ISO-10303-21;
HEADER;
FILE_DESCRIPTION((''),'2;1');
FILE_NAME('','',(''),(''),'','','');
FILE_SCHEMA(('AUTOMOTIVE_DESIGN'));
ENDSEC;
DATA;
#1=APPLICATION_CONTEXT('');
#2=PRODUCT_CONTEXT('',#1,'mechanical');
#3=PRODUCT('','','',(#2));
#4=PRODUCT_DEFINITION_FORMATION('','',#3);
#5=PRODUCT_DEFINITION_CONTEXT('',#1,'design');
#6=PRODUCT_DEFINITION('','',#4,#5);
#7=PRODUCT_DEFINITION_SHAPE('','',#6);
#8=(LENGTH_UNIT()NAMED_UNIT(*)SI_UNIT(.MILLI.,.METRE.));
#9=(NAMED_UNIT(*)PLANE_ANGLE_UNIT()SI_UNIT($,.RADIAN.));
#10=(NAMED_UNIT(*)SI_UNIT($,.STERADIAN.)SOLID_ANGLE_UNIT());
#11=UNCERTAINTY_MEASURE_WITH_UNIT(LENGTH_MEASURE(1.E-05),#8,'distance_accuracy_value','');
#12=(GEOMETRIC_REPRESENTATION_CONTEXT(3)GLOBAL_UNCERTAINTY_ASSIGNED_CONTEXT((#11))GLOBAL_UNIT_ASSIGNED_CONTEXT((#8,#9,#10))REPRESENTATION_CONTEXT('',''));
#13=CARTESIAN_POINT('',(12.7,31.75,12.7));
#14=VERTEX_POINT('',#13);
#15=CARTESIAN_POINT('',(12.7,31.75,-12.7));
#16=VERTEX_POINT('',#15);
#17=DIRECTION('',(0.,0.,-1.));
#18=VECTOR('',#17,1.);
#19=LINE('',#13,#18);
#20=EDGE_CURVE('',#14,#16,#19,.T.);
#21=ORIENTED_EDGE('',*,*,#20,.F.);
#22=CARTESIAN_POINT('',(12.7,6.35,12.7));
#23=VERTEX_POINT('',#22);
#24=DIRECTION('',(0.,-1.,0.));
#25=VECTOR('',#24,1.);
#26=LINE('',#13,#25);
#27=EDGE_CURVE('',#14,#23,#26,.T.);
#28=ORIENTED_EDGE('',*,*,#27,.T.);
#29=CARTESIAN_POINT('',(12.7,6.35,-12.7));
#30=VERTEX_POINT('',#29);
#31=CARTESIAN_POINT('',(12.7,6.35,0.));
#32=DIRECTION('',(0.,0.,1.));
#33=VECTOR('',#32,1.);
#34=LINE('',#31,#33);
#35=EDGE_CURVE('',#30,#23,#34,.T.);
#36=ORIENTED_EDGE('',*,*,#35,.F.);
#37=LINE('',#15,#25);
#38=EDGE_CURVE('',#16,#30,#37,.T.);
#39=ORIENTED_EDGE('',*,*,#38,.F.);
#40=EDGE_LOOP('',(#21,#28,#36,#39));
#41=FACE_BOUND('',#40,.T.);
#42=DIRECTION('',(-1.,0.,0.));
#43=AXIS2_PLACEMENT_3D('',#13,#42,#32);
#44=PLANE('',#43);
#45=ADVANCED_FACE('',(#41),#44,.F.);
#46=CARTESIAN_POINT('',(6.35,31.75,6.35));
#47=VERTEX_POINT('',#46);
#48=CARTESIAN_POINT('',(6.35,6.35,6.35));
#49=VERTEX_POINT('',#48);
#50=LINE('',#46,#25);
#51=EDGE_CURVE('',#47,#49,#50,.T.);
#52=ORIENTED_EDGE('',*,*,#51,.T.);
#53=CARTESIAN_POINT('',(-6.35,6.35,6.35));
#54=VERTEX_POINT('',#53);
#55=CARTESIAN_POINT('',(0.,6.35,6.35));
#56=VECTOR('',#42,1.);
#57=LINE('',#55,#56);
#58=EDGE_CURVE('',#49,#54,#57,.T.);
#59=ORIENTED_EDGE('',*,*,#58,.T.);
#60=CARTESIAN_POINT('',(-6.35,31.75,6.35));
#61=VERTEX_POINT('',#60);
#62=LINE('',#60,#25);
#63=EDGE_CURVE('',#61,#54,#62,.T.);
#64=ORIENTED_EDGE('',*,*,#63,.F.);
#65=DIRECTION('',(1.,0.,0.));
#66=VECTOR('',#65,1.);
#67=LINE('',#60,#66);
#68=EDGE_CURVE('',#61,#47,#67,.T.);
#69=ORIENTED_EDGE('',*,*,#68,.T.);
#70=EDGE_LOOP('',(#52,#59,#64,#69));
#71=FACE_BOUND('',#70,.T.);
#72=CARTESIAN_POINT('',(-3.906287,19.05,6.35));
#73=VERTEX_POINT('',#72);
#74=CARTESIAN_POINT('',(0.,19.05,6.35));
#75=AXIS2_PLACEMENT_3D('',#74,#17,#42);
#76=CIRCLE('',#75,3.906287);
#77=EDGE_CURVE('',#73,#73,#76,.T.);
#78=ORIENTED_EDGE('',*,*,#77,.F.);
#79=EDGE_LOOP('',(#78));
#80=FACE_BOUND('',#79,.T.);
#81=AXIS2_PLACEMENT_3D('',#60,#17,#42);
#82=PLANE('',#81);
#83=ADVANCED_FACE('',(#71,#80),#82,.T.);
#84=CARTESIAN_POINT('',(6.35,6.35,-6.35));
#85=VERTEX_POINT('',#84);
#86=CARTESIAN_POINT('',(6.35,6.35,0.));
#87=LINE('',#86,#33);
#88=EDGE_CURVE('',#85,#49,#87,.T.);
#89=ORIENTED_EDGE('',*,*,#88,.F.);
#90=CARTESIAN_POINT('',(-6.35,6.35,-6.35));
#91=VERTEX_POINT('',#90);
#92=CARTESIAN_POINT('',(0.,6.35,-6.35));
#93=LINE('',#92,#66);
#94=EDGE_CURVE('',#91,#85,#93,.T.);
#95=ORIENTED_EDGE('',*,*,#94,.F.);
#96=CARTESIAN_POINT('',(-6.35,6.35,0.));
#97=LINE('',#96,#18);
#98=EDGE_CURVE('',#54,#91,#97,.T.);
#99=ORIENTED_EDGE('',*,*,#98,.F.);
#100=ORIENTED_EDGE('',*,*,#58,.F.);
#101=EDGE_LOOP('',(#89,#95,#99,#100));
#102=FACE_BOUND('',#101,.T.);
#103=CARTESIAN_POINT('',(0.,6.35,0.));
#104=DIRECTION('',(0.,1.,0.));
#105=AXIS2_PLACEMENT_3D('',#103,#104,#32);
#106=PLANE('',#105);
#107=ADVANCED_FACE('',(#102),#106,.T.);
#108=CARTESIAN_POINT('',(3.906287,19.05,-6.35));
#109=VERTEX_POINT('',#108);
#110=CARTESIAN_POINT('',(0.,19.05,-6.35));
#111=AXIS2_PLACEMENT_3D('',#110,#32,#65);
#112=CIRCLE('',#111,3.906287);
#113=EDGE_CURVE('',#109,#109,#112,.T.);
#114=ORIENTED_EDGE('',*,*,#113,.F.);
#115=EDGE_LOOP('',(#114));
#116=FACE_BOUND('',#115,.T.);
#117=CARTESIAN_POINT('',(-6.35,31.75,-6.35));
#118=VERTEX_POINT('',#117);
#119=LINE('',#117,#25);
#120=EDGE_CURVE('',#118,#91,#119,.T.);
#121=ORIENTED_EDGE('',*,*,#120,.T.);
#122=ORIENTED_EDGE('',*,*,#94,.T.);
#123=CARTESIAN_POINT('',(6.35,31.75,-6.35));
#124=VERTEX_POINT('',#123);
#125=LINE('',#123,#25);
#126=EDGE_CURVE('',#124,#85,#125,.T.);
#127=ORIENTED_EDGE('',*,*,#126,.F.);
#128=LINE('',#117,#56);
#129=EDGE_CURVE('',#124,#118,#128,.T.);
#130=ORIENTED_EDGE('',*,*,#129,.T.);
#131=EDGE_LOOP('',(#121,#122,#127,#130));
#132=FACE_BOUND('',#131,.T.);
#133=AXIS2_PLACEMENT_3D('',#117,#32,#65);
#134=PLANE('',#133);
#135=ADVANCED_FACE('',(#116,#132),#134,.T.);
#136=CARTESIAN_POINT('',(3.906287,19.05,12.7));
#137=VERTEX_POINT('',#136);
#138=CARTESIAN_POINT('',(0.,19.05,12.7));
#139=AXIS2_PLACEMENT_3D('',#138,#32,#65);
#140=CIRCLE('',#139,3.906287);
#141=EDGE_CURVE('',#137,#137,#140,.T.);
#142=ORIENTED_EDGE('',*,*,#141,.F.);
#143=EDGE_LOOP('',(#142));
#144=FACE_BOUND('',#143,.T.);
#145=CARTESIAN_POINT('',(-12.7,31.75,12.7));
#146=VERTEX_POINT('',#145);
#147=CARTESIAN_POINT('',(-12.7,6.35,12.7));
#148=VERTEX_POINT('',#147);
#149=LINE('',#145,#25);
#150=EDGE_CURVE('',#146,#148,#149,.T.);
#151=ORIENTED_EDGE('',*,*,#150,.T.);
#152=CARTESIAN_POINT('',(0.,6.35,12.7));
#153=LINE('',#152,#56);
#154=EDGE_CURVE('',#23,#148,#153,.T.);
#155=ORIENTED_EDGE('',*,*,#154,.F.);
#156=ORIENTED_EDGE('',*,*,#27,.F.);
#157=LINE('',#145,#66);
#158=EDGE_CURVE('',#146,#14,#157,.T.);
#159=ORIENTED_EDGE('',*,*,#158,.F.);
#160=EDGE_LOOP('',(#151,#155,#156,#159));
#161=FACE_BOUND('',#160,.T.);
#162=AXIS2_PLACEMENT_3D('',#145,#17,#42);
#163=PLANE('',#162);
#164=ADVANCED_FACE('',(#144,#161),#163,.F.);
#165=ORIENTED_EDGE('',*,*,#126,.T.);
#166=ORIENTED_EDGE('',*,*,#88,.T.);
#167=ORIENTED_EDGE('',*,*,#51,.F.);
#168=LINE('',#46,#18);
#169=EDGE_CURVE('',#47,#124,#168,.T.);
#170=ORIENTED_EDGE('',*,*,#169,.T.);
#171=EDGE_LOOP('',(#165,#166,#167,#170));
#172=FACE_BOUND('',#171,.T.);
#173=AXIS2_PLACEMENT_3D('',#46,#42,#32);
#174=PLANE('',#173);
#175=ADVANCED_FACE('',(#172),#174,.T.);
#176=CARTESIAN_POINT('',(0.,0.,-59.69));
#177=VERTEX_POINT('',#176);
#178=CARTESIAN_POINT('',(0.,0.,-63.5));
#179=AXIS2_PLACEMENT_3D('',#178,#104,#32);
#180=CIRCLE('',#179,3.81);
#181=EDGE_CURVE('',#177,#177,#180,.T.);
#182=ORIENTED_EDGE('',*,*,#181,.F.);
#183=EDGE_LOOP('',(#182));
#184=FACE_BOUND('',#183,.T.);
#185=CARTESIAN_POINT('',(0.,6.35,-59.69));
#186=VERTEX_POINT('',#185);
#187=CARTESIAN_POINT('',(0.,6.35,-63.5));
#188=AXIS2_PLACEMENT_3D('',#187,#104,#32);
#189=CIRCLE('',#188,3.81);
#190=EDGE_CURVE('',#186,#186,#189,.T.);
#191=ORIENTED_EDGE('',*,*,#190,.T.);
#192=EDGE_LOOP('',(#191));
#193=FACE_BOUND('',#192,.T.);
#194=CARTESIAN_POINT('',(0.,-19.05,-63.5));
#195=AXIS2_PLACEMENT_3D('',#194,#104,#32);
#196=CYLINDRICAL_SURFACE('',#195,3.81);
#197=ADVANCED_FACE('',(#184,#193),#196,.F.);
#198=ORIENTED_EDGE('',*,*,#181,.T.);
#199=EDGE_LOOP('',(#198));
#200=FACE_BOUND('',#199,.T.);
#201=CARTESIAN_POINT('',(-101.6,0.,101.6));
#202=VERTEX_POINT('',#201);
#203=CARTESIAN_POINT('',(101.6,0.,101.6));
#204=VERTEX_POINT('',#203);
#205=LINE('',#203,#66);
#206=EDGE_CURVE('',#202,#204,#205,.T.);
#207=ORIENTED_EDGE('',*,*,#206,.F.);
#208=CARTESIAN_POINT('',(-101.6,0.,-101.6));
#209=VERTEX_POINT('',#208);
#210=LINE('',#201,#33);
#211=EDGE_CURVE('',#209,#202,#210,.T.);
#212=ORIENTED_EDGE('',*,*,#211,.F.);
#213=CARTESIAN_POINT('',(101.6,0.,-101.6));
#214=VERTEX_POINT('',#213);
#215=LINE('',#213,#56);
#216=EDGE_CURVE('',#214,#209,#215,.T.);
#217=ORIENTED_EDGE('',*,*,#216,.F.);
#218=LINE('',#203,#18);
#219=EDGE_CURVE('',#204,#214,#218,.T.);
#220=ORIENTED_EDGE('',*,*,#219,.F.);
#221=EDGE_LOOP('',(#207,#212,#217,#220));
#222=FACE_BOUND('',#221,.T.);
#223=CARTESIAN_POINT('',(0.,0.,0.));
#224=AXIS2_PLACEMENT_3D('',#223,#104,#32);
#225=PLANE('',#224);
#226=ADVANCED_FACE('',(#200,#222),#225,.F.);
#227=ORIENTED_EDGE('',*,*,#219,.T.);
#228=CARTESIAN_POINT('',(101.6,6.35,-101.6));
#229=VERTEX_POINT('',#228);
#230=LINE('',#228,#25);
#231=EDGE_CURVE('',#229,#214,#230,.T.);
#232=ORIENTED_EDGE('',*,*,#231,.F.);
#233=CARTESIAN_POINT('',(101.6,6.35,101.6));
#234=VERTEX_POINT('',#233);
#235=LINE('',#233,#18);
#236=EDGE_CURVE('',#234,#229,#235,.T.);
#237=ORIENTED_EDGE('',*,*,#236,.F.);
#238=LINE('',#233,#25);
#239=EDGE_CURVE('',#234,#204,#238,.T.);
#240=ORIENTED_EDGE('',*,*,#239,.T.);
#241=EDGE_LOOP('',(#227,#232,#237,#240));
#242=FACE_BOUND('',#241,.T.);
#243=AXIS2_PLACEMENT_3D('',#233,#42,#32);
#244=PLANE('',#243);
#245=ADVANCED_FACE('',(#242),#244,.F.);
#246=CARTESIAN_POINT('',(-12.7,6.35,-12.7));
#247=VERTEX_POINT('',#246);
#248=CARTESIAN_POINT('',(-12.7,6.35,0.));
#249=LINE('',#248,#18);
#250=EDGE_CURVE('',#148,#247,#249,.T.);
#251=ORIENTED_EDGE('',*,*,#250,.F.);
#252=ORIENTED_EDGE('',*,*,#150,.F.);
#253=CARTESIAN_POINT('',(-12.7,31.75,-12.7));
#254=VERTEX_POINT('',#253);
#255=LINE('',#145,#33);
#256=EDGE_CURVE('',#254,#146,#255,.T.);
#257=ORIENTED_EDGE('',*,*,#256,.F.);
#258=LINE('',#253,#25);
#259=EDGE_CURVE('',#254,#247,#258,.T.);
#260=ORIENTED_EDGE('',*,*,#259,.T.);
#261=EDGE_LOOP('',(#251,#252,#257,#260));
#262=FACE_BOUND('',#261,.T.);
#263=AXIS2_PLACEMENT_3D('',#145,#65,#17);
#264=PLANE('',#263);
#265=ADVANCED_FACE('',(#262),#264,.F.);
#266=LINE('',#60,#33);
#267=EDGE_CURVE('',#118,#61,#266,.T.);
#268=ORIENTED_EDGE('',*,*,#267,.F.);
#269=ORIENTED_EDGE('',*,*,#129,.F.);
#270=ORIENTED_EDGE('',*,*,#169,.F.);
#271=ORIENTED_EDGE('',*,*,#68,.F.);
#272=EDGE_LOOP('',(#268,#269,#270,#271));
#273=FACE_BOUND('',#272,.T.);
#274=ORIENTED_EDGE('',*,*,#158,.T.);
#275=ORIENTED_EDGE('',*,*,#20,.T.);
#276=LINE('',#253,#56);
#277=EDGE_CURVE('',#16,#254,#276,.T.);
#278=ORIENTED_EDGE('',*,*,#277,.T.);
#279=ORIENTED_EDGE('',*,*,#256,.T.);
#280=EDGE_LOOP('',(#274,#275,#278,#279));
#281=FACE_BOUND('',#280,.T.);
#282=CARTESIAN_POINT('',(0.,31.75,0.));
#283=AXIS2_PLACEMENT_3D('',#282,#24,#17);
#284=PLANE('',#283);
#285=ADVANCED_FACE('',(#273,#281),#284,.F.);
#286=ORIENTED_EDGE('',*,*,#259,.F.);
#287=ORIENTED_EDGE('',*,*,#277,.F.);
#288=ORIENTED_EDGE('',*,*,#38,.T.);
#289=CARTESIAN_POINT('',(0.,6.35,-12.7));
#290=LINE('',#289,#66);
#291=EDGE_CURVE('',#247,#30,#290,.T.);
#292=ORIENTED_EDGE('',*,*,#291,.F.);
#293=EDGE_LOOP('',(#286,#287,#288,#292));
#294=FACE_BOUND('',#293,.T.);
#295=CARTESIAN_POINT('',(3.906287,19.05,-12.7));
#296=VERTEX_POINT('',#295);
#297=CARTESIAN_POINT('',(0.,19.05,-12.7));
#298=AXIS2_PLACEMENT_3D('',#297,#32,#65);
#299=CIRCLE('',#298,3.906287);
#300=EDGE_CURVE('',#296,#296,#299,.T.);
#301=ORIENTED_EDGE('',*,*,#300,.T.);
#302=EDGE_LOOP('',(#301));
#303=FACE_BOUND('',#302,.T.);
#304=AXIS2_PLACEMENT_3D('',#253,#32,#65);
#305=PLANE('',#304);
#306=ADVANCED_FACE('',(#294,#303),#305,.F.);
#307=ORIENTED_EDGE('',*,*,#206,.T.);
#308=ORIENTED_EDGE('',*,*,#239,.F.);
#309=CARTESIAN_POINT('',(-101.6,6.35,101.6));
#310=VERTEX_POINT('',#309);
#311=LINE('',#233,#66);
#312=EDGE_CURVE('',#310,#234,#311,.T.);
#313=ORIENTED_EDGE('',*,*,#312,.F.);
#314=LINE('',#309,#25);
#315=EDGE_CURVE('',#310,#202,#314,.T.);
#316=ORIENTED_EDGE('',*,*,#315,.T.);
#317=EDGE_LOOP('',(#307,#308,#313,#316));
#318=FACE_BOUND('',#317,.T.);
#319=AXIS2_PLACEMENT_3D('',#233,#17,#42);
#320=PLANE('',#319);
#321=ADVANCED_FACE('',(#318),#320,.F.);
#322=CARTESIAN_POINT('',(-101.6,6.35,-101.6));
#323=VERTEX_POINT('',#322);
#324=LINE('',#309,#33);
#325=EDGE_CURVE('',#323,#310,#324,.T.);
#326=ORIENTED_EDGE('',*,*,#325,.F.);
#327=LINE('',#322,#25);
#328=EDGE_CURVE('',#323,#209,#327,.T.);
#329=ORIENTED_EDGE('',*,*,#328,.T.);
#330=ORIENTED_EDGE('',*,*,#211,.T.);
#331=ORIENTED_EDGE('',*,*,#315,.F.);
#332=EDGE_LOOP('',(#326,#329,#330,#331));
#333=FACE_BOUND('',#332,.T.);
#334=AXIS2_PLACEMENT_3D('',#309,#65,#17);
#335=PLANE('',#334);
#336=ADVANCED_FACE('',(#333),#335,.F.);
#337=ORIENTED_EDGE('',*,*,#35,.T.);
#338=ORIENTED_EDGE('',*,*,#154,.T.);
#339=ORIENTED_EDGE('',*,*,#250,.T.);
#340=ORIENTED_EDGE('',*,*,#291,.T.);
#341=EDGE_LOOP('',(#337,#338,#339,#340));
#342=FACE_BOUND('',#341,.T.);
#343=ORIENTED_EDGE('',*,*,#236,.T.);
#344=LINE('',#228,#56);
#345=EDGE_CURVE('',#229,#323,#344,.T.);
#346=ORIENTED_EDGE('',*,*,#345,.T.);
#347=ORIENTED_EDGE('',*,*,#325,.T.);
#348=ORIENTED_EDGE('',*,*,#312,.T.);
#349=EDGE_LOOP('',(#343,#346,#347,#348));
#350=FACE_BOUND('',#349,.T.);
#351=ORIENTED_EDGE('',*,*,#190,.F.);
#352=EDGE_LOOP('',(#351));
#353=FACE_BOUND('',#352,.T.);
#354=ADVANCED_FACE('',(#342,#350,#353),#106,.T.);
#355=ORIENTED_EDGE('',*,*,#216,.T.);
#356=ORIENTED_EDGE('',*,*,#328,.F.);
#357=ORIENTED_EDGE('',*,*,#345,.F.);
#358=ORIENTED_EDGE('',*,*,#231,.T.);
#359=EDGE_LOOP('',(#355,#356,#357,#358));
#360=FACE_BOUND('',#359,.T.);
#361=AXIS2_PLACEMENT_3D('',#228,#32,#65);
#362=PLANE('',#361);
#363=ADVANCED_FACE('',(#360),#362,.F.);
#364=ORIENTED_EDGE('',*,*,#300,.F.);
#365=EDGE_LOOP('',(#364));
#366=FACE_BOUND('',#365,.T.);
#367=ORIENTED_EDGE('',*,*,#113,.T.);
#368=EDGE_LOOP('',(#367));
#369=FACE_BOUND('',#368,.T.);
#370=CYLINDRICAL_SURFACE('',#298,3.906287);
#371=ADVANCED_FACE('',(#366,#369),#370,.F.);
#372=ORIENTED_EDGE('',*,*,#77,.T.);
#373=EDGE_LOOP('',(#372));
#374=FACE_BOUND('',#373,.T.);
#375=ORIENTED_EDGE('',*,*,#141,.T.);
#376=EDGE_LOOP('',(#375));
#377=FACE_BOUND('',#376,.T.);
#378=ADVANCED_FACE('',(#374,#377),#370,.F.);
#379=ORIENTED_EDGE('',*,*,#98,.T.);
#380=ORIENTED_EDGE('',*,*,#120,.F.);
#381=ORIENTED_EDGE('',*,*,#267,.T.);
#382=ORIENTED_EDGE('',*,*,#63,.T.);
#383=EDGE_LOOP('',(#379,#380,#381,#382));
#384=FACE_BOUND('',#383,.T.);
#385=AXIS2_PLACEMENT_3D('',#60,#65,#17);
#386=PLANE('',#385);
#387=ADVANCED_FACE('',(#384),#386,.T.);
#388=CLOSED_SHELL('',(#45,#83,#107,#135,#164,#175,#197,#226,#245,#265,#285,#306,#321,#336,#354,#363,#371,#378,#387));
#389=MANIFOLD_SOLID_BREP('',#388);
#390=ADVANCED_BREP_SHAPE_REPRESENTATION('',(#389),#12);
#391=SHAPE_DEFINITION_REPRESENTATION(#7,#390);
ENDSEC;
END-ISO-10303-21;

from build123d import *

# Parameters (mm, degrees)
SKETCH1_W           = 203.2
SKETCH1_H           = 203.2
BOSS_EXTRUDE1_DEPTH = 6.35
SKETCH2_W           = 25.4
SKETCH2_H           = 25.4
SKETCH2_W_2         = 12.7
SKETCH2_H_2         = 12.7
BOSS_EXTRUDE2_DEPTH = 31.75
SKETCH3_R           = 3.906287384
CUT_EXTRUDE1_DEPTH  = 25.4
SKETCH4_R           = 3.81
CUT_EXTRUDE2_DEPTH  = 25.4


with BuildPart() as part:
    # Sketch1 → Boss-Extrude1 (new body)
    with BuildSketch(Plane(origin=(0, 0, 0), x_dir=(1, 0, 0), z_dir=(0, 1, 0))):
        Rectangle(SKETCH1_W, SKETCH1_H)
    extrude(amount=BOSS_EXTRUDE1_DEPTH)

    # Sketch2 → Boss-Extrude2 (add)
    with BuildSketch(Plane(origin=(0, 0, 0), x_dir=(1, 0, 0), z_dir=(0, 1, 0))):
        Rectangle(SKETCH2_W, SKETCH2_H)
        Rectangle(SKETCH2_W_2, SKETCH2_H_2, mode=Mode.SUBTRACT)
    extrude(amount=BOSS_EXTRUDE2_DEPTH)

    # Sketch3 → Cut-Extrude1 (cut)
    with BuildSketch(Plane.XY.offset(12.7)):
        with Locations((0, 19.05)):
            Circle(SKETCH3_R)
    extrude(amount=-CUT_EXTRUDE1_DEPTH, mode=Mode.SUBTRACT)

    # Sketch4 → Cut-Extrude2 (cut)
    with BuildSketch(Plane(origin=(0, 6.35, 0), x_dir=(1, 0, 0), z_dir=(0, 1, 0))):
        with Locations((0, 63.5)):
            Circle(SKETCH4_R)
    extrude(amount=-CUT_EXTRUDE2_DEPTH, mode=Mode.SUBTRACT)


solid = part.part
